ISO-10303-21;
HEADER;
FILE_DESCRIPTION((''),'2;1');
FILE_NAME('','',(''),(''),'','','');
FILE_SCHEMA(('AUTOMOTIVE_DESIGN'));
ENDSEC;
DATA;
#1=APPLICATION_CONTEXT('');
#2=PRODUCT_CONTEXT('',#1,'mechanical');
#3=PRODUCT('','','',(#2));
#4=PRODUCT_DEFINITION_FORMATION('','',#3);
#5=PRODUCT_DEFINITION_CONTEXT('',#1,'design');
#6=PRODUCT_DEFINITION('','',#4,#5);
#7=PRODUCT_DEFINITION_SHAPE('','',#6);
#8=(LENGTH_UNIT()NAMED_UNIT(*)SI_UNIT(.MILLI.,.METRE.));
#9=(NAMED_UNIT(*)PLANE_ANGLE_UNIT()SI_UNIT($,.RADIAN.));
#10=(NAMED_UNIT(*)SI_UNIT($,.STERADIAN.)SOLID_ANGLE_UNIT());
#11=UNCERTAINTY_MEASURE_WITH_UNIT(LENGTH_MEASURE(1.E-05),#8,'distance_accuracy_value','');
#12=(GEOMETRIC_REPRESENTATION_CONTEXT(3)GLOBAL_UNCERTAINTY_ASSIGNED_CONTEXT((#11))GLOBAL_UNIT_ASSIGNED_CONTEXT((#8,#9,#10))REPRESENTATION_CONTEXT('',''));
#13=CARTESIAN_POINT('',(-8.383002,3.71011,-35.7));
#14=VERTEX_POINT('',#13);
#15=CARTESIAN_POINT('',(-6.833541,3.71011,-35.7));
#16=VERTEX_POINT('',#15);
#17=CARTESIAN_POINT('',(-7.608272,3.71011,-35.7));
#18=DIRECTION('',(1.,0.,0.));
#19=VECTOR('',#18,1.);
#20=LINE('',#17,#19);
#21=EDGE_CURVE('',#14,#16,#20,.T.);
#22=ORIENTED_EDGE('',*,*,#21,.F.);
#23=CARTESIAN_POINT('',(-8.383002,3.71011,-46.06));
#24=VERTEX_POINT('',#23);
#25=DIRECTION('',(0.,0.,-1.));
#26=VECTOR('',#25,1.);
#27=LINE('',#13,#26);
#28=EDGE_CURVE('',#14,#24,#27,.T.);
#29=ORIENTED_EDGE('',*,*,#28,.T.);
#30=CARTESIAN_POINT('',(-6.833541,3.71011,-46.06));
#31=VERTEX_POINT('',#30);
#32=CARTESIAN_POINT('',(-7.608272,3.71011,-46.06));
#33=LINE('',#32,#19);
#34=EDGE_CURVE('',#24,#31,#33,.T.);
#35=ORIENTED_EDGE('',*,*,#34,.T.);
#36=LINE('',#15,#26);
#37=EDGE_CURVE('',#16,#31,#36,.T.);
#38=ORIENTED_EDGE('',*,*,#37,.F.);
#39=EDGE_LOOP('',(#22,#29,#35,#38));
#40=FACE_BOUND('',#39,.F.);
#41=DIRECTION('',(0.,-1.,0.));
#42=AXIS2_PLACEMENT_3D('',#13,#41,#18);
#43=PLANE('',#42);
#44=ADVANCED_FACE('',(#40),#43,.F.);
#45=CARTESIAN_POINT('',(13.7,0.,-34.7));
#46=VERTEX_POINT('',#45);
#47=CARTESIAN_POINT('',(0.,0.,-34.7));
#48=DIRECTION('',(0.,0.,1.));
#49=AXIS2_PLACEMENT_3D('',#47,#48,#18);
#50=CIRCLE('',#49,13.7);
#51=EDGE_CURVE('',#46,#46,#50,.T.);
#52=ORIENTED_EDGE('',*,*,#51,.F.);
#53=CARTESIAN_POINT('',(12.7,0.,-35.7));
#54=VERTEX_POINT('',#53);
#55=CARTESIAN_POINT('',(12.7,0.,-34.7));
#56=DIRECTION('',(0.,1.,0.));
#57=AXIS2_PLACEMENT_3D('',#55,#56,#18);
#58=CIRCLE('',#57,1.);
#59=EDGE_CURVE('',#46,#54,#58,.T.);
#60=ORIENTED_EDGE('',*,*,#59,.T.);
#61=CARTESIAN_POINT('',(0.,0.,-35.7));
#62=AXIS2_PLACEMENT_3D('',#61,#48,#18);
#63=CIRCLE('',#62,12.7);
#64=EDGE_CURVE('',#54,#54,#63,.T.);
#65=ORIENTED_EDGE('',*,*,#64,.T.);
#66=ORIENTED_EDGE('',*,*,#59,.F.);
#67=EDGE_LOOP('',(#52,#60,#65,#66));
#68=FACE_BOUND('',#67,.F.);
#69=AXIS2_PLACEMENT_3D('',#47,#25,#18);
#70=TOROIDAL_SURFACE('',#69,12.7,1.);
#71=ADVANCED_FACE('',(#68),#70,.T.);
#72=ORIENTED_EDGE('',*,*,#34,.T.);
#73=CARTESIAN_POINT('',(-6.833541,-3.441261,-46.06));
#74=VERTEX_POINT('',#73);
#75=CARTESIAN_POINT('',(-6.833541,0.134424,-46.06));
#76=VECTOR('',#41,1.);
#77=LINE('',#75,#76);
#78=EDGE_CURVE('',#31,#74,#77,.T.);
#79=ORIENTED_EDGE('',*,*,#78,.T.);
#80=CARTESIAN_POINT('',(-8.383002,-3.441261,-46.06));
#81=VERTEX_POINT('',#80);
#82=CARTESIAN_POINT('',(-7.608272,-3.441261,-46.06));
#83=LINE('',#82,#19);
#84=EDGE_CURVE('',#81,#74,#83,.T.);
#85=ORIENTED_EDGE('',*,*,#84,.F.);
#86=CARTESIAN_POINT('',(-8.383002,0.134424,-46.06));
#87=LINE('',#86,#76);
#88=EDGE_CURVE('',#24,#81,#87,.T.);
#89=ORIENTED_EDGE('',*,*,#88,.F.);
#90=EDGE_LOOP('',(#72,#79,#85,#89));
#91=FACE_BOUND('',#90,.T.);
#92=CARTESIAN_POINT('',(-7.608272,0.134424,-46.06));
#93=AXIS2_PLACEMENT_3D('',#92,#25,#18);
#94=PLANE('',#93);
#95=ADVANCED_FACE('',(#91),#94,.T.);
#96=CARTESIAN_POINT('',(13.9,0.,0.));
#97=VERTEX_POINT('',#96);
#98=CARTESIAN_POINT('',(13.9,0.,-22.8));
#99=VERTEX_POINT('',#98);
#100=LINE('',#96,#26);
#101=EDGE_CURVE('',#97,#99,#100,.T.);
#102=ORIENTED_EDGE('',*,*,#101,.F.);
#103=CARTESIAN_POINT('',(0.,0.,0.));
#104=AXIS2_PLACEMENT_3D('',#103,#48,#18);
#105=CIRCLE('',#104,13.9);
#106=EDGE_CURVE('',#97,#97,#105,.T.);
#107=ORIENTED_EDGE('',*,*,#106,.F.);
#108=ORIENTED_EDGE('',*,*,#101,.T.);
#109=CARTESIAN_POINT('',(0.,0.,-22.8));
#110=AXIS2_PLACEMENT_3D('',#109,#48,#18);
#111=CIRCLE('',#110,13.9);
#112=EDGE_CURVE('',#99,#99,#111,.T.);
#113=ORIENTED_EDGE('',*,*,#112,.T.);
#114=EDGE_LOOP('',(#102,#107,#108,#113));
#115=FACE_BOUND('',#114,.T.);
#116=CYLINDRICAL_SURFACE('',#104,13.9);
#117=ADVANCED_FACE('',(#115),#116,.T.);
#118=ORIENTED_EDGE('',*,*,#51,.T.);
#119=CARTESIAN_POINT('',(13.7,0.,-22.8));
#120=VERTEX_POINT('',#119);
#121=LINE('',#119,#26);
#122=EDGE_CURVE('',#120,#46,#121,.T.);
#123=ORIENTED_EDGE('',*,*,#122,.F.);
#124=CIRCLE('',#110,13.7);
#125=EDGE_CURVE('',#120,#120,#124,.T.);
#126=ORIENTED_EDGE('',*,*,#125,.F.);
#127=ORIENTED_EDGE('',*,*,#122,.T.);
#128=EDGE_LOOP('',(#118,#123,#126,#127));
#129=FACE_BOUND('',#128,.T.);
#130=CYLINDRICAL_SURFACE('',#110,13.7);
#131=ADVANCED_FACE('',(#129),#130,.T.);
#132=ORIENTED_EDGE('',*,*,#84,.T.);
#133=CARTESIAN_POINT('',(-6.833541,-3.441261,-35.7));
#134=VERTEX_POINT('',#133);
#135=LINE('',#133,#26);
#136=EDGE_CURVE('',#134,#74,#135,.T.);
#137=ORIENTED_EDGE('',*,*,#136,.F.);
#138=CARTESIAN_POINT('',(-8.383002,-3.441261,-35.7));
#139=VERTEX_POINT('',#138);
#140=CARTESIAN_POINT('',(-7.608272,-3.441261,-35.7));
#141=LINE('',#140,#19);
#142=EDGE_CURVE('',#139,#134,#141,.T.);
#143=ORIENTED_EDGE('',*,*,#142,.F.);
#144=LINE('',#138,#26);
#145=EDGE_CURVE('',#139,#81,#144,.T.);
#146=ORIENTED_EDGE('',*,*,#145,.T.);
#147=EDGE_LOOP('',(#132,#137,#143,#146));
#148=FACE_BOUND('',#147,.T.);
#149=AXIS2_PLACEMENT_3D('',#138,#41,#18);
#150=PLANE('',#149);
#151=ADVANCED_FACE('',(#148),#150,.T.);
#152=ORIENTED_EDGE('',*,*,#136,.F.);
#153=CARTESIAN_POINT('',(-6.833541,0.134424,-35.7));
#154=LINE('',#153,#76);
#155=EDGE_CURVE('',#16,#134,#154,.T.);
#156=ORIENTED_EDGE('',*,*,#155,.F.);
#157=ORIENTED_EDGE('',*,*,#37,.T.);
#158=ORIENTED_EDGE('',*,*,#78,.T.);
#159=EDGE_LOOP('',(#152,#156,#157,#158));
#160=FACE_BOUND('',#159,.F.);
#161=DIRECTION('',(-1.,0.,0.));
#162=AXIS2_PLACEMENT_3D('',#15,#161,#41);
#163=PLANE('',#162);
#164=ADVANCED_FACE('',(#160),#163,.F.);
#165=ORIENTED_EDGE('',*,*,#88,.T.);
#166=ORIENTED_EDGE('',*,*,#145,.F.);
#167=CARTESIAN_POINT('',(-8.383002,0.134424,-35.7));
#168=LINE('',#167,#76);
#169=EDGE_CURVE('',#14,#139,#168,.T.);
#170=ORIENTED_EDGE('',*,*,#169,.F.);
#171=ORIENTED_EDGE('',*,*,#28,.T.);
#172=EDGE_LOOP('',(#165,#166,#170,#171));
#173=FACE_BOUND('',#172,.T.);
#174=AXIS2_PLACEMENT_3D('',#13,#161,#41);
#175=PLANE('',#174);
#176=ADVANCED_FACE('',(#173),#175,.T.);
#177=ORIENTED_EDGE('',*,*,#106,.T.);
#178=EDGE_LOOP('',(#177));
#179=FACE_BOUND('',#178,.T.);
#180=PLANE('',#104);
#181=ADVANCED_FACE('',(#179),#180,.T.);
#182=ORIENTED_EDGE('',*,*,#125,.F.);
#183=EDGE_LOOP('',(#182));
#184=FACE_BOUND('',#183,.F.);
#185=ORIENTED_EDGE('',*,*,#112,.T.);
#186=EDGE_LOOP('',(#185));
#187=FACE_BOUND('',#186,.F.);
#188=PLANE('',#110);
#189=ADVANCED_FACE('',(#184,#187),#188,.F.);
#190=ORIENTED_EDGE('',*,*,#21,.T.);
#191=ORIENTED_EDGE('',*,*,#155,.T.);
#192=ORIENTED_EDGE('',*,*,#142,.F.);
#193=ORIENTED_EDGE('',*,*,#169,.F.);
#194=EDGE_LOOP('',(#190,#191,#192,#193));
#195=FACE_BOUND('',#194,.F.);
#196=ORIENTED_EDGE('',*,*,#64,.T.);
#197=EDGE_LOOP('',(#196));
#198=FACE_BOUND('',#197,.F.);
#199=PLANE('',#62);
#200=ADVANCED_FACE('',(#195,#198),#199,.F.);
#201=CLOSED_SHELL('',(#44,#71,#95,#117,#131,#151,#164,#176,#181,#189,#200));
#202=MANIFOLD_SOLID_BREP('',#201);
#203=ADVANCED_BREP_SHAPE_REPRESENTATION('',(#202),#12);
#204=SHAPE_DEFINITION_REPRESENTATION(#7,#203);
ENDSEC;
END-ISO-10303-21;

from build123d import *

# Parameters (mm, degrees)
SKETCH_R     = 13.9
PAD_DEPTH    = 22.8
SKETCH001_R  = 13.7
PAD001_DEPTH = 12.9
FILLET_R     = 1
SKETCH002_W  = 1.549461
SKETCH002_H  = 7.151371
PAD002_DEPTH = 10.36


with BuildPart() as part:
    # Sketch → Pad (new body)
    with BuildSketch(Plane.XY):
        Circle(SKETCH_R)
    extrude(amount=-PAD_DEPTH)

    # Sketch001 → Pad001 (join)
    with BuildSketch(Plane.XY.offset(-22.8)):
        Circle(SKETCH001_R)
    extrude(amount=-PAD001_DEPTH)

    # Fillet
    fillet_edges = [part.edges().sort_by_distance(p)[0] for p in [
        (-13.7, 0, -35.7),
    ]]
    fillet(fillet_edges, radius=FILLET_R)

    # Sketch002 (on Face4 of Fillet) → Pad002 (join)
    with BuildSketch(Plane(origin=(0, 0, -35.7), x_dir=(1, 0, 0), z_dir=(0, 0, -1))):
        with Locations((-7.608272, -0.134424)):
            Rectangle(SKETCH002_W, SKETCH002_H)
    extrude(amount=PAD002_DEPTH)


solid = part.part
